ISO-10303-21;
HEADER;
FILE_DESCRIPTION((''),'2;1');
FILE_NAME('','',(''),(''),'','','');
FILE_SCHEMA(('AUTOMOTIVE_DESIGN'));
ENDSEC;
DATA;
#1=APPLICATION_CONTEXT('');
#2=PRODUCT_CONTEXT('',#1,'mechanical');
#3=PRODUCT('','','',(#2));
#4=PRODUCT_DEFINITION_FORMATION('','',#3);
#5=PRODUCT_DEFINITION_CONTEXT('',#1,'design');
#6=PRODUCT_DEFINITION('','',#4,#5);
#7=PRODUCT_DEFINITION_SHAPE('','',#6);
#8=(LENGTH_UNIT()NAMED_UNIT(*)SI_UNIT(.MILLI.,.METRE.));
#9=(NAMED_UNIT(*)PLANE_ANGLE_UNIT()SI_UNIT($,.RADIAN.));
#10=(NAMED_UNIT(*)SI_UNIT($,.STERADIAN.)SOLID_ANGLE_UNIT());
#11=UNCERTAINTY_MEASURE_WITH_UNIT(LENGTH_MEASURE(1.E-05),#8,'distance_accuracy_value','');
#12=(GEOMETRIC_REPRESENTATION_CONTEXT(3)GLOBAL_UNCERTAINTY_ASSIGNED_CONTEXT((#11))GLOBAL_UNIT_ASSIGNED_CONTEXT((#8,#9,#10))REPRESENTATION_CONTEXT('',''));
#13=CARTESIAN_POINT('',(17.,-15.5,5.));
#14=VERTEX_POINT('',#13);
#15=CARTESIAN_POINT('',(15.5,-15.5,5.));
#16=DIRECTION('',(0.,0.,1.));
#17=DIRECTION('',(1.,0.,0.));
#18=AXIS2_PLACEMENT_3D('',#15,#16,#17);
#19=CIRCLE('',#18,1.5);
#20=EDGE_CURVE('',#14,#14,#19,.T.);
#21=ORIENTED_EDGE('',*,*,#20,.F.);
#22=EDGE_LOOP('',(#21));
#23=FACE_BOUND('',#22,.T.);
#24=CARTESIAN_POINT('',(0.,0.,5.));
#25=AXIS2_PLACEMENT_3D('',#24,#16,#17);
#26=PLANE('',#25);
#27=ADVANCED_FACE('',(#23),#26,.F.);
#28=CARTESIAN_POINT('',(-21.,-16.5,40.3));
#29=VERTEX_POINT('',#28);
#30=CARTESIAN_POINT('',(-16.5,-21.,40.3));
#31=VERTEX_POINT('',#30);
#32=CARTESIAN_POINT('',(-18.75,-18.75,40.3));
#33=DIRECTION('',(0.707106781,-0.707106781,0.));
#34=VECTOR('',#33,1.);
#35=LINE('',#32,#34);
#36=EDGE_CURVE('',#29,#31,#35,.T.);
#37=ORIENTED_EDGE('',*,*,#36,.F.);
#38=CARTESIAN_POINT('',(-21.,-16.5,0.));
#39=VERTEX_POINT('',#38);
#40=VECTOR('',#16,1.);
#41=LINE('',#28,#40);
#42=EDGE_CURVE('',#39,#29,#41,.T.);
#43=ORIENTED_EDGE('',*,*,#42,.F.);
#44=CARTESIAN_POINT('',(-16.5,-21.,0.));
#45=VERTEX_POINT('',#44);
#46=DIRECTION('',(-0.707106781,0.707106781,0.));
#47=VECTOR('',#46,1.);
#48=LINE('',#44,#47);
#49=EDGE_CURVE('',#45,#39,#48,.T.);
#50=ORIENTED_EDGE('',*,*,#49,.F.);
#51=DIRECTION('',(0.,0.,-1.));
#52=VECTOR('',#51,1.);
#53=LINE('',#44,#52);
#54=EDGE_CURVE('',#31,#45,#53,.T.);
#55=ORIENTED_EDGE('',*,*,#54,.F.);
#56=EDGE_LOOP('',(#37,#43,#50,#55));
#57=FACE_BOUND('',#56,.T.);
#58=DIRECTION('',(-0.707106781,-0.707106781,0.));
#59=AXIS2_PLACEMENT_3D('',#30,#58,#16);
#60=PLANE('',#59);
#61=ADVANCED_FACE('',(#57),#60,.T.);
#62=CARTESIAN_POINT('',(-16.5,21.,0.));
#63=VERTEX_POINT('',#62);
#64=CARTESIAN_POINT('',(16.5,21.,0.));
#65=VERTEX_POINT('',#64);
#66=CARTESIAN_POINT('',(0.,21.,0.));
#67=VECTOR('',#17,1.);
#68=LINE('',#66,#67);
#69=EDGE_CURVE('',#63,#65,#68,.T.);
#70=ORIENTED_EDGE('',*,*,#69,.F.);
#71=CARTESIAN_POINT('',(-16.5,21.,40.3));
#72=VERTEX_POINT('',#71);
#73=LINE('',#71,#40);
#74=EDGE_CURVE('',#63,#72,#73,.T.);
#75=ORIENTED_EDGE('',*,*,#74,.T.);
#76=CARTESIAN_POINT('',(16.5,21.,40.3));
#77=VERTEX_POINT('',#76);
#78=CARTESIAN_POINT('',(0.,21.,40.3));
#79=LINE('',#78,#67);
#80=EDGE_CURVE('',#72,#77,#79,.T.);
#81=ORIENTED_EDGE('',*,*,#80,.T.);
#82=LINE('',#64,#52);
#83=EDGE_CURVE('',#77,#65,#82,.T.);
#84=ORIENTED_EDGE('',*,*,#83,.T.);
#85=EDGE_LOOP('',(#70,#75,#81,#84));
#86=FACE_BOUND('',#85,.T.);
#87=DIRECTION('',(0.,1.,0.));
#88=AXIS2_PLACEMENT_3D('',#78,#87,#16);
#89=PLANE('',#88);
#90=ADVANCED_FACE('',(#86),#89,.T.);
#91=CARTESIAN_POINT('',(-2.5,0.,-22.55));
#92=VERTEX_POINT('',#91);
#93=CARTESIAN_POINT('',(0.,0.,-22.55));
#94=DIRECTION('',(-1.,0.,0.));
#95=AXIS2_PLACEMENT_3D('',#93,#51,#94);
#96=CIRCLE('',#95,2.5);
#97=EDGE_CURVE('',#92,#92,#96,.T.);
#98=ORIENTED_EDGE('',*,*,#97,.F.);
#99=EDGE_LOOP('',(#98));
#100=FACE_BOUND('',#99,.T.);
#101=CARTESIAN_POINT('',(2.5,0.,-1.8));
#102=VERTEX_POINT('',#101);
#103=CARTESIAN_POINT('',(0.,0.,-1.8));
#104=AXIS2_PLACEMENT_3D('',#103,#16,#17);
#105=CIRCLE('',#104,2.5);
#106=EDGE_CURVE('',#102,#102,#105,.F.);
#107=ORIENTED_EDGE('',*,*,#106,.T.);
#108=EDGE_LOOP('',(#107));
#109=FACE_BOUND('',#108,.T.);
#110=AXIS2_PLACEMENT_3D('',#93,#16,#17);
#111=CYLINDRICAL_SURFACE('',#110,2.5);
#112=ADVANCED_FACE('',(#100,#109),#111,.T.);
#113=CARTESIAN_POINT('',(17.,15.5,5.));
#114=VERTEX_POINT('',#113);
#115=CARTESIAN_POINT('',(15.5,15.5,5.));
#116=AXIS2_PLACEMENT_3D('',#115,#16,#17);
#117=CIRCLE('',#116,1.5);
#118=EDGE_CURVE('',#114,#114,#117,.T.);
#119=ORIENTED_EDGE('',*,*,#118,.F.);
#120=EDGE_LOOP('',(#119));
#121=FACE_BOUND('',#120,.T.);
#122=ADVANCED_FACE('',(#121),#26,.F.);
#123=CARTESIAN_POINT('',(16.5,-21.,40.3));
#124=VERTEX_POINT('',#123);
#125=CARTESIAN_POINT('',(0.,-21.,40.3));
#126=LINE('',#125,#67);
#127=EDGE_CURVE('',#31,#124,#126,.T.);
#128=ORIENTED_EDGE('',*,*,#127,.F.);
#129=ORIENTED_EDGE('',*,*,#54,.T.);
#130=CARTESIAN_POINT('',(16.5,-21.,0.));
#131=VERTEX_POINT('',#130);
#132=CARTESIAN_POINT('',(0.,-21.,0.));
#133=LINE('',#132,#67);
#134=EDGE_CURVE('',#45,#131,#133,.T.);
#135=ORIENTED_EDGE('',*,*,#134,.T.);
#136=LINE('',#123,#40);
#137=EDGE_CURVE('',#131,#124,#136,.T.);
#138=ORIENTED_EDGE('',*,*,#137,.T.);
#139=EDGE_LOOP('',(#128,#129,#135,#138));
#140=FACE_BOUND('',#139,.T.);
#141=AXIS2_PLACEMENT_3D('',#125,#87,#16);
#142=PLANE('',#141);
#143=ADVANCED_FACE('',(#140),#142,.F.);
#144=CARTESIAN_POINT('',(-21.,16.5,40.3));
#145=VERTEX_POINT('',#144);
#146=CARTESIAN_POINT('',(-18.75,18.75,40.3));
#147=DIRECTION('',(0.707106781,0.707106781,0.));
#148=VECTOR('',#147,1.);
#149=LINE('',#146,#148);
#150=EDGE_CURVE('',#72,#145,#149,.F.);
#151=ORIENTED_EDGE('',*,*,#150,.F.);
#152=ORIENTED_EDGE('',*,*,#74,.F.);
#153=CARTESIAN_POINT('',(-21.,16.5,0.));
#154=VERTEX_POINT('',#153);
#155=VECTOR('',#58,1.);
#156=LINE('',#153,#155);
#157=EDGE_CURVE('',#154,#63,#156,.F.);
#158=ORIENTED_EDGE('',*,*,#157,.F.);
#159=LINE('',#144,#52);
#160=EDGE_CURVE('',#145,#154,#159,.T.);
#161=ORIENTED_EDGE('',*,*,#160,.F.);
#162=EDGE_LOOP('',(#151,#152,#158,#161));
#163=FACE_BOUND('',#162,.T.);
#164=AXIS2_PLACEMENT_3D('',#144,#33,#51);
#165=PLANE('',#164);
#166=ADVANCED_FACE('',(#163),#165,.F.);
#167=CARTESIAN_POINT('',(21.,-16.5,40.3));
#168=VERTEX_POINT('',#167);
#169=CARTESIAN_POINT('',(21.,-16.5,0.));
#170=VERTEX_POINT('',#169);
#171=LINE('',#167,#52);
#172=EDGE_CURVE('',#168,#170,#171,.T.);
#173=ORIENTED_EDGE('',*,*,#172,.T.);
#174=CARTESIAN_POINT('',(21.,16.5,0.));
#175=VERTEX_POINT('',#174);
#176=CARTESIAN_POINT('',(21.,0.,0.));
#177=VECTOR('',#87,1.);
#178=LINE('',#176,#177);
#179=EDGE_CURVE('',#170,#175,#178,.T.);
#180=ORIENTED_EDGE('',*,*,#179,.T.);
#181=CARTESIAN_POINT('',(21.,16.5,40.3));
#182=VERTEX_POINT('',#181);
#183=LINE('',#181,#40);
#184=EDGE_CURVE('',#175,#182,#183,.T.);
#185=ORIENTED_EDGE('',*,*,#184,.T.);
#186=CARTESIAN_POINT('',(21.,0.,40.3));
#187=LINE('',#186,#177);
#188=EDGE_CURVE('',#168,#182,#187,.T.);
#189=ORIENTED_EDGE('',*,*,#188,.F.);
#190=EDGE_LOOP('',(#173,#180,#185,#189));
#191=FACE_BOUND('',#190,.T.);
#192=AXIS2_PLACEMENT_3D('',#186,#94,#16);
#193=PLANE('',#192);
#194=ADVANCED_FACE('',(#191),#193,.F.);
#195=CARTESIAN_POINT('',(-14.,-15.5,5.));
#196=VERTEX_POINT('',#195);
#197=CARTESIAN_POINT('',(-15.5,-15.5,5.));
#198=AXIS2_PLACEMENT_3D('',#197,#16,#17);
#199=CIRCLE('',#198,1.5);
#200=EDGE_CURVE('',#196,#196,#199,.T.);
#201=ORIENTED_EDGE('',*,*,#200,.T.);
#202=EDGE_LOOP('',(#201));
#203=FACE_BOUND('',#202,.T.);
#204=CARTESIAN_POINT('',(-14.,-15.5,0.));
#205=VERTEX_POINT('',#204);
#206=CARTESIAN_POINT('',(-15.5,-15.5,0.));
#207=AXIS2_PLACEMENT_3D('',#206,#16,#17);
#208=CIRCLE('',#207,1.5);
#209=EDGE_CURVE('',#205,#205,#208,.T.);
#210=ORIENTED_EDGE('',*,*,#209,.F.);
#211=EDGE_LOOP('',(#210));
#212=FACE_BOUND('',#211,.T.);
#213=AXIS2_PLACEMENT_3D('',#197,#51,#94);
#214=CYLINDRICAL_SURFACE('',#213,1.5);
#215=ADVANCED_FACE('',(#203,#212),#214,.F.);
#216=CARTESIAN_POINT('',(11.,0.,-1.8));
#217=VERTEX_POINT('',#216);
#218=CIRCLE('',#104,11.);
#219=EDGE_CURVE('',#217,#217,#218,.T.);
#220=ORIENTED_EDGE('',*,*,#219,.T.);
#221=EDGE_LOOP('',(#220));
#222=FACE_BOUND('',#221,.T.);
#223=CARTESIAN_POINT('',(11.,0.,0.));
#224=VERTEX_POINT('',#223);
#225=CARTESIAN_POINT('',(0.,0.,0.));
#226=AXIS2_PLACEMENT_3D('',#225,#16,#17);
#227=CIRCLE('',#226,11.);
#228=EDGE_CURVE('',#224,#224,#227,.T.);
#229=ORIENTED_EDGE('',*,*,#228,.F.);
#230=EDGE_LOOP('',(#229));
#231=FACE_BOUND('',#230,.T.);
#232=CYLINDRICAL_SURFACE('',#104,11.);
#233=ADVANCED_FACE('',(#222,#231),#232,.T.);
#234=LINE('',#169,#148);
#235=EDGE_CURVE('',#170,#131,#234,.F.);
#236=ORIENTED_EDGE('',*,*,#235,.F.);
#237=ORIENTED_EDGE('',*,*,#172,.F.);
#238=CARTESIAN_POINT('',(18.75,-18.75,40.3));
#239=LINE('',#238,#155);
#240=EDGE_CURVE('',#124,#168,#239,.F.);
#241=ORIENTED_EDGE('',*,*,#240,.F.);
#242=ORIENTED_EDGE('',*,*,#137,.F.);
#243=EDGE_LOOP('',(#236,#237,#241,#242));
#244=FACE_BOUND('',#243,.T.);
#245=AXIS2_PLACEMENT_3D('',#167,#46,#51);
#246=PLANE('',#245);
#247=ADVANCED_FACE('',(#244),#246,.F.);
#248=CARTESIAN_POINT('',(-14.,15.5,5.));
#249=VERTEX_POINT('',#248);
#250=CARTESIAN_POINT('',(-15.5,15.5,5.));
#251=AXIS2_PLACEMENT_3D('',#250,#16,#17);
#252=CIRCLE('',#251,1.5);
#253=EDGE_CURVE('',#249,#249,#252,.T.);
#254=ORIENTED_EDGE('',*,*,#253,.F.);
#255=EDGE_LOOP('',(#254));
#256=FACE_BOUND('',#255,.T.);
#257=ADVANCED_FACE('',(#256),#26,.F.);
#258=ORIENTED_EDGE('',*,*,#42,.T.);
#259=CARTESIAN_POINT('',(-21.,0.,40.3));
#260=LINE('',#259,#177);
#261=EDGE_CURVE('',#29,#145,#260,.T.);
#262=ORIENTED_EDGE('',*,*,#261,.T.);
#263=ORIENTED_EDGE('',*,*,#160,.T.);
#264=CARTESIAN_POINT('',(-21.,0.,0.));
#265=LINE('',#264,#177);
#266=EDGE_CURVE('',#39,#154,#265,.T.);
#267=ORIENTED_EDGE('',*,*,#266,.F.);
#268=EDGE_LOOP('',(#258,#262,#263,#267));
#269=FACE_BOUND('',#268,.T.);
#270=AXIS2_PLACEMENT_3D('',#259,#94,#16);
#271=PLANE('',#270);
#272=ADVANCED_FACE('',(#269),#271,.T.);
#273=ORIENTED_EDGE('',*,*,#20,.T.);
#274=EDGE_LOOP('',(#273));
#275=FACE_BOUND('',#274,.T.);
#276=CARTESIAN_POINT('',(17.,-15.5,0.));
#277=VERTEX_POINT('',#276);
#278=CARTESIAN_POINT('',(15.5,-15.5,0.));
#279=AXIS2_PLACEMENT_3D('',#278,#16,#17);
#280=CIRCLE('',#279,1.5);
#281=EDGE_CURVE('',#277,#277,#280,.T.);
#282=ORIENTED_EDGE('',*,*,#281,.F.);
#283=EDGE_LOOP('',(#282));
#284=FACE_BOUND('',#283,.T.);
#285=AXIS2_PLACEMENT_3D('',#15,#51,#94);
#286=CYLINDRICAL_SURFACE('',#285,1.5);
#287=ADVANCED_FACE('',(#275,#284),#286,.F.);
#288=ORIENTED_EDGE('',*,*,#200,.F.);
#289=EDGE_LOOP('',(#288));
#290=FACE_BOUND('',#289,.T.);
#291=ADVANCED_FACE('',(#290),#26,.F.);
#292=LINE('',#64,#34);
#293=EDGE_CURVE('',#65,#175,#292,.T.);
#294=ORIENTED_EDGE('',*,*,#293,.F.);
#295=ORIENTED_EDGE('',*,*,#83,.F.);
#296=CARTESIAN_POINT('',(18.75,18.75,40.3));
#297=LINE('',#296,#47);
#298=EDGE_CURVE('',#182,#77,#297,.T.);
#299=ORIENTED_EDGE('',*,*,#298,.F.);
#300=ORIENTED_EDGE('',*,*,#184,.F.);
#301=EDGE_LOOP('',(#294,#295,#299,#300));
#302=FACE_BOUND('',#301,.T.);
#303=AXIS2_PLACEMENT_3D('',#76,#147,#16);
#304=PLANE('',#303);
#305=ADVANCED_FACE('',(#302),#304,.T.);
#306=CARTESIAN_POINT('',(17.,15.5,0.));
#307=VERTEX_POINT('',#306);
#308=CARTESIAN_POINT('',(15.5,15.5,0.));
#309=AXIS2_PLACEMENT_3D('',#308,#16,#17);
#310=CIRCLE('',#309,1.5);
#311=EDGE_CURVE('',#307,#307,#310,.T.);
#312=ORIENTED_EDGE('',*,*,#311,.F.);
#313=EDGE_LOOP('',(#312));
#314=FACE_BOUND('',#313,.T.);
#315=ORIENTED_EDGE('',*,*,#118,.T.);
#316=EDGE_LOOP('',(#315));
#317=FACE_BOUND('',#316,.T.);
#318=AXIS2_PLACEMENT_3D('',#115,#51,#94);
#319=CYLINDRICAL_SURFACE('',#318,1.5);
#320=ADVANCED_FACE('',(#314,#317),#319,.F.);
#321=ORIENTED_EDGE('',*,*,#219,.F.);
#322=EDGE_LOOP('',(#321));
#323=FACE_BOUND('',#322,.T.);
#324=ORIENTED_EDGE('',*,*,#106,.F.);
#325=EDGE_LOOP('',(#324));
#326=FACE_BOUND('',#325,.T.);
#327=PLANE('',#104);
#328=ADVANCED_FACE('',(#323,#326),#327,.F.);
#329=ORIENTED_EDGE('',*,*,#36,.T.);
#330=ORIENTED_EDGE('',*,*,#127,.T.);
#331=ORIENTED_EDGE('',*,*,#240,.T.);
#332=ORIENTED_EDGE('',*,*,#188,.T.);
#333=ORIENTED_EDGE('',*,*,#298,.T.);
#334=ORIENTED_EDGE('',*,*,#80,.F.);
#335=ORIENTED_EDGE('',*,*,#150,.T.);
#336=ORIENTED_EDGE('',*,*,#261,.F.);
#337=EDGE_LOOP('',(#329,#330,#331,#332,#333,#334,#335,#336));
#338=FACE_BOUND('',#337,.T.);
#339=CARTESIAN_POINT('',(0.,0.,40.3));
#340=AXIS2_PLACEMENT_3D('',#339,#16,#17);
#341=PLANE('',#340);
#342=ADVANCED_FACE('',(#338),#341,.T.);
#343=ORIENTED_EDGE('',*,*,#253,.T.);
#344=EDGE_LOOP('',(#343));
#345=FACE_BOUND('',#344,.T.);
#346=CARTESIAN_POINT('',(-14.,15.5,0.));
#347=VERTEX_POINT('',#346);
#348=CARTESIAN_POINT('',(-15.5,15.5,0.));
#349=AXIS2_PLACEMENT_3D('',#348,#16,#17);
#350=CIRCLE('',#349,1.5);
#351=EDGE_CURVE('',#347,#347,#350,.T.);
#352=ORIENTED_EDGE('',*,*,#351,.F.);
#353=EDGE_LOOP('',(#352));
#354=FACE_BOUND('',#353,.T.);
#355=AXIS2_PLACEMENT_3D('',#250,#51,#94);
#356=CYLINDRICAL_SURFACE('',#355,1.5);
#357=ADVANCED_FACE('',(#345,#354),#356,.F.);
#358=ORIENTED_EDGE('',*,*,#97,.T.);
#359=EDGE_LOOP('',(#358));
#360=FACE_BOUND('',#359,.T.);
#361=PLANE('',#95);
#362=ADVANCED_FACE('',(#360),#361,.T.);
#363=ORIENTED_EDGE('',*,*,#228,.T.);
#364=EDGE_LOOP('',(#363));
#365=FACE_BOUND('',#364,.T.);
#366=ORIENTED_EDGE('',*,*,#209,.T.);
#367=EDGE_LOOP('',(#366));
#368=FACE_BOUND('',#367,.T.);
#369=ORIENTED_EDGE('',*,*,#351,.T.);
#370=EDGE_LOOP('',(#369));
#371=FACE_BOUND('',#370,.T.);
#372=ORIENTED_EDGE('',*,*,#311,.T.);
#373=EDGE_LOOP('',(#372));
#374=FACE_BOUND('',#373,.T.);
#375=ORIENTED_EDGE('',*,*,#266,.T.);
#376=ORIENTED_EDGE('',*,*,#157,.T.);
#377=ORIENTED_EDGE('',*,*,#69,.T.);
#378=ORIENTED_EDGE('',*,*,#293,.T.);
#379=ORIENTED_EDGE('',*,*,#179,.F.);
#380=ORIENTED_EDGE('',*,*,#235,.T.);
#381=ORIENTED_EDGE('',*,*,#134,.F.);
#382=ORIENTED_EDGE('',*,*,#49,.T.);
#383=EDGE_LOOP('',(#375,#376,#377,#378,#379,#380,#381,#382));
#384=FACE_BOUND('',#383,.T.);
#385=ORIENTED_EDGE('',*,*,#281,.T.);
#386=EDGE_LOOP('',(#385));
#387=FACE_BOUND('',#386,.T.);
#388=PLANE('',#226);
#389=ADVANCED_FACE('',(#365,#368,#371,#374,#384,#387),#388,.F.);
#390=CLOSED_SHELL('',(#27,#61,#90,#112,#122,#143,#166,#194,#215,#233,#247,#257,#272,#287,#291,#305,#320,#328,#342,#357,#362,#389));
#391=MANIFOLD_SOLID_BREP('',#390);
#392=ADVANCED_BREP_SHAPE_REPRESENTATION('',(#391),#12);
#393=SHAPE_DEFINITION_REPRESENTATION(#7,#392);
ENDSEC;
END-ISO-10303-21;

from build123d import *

# Parameters (mm, degrees)
SKETCH1_W           = 42
SKETCH1_H           = 42
BOSS_EXTRUDE1_DEPTH = 40.3
SKETCH1_3_R         = 1.5
CUT_EXTRUDE1_DEPTH  = 5
SKETCH1_4_R         = 11
BOSS_EXTRUDE2_DEPTH = 1.8
CHAMFER1_SIZE       = 4.5
SKETCH2_R           = 2.5
BOSS_EXTRUDE3_DEPTH = 20.75


with BuildPart() as part:
    # Sketch1 → Boss-Extrude1 (new body)
    with BuildSketch(Plane.XY):
        Rectangle(SKETCH1_W, SKETCH1_H)
    extrude(amount=BOSS_EXTRUDE1_DEPTH)

    # Sketch1<3> → Cut-Extrude1 (cut)
    with BuildSketch(Plane.XY):
        with Locations((15.5, 15.5)):
            Circle(SKETCH1_3_R)
        with Locations((15.5, -15.5)):
            Circle(SKETCH1_3_R)
        with Locations((-15.5, -15.5)):
            Circle(SKETCH1_3_R)
        with Locations((-15.5, 15.5)):
            Circle(SKETCH1_3_R)
    extrude(amount=CUT_EXTRUDE1_DEPTH, mode=Mode.SUBTRACT)

    # Sketch1<4> → Boss-Extrude2 (add)
    with BuildSketch(Plane.XY):
        Circle(SKETCH1_4_R)
    extrude(amount=-BOSS_EXTRUDE2_DEPTH)

    # Chamfer1
    chamfer1_edges = [part.edges().sort_by_distance(p)[0] for p in [
        (21, 21, 20.15),
        (21, -21, 20.15),
        (-21, -21, 20.15),
        (-21, 21, 20.15),
    ]]
    chamfer(chamfer1_edges, length=CHAMFER1_SIZE)

    # Sketch2 → Boss-Extrude3 (add)
    with BuildSketch(Plane(origin=(0, 0, -1.8), x_dir=(-1, 0, 0), z_dir=(0, 0, -1))):
        Circle(SKETCH2_R)
    extrude(amount=BOSS_EXTRUDE3_DEPTH)


solid = part.part
